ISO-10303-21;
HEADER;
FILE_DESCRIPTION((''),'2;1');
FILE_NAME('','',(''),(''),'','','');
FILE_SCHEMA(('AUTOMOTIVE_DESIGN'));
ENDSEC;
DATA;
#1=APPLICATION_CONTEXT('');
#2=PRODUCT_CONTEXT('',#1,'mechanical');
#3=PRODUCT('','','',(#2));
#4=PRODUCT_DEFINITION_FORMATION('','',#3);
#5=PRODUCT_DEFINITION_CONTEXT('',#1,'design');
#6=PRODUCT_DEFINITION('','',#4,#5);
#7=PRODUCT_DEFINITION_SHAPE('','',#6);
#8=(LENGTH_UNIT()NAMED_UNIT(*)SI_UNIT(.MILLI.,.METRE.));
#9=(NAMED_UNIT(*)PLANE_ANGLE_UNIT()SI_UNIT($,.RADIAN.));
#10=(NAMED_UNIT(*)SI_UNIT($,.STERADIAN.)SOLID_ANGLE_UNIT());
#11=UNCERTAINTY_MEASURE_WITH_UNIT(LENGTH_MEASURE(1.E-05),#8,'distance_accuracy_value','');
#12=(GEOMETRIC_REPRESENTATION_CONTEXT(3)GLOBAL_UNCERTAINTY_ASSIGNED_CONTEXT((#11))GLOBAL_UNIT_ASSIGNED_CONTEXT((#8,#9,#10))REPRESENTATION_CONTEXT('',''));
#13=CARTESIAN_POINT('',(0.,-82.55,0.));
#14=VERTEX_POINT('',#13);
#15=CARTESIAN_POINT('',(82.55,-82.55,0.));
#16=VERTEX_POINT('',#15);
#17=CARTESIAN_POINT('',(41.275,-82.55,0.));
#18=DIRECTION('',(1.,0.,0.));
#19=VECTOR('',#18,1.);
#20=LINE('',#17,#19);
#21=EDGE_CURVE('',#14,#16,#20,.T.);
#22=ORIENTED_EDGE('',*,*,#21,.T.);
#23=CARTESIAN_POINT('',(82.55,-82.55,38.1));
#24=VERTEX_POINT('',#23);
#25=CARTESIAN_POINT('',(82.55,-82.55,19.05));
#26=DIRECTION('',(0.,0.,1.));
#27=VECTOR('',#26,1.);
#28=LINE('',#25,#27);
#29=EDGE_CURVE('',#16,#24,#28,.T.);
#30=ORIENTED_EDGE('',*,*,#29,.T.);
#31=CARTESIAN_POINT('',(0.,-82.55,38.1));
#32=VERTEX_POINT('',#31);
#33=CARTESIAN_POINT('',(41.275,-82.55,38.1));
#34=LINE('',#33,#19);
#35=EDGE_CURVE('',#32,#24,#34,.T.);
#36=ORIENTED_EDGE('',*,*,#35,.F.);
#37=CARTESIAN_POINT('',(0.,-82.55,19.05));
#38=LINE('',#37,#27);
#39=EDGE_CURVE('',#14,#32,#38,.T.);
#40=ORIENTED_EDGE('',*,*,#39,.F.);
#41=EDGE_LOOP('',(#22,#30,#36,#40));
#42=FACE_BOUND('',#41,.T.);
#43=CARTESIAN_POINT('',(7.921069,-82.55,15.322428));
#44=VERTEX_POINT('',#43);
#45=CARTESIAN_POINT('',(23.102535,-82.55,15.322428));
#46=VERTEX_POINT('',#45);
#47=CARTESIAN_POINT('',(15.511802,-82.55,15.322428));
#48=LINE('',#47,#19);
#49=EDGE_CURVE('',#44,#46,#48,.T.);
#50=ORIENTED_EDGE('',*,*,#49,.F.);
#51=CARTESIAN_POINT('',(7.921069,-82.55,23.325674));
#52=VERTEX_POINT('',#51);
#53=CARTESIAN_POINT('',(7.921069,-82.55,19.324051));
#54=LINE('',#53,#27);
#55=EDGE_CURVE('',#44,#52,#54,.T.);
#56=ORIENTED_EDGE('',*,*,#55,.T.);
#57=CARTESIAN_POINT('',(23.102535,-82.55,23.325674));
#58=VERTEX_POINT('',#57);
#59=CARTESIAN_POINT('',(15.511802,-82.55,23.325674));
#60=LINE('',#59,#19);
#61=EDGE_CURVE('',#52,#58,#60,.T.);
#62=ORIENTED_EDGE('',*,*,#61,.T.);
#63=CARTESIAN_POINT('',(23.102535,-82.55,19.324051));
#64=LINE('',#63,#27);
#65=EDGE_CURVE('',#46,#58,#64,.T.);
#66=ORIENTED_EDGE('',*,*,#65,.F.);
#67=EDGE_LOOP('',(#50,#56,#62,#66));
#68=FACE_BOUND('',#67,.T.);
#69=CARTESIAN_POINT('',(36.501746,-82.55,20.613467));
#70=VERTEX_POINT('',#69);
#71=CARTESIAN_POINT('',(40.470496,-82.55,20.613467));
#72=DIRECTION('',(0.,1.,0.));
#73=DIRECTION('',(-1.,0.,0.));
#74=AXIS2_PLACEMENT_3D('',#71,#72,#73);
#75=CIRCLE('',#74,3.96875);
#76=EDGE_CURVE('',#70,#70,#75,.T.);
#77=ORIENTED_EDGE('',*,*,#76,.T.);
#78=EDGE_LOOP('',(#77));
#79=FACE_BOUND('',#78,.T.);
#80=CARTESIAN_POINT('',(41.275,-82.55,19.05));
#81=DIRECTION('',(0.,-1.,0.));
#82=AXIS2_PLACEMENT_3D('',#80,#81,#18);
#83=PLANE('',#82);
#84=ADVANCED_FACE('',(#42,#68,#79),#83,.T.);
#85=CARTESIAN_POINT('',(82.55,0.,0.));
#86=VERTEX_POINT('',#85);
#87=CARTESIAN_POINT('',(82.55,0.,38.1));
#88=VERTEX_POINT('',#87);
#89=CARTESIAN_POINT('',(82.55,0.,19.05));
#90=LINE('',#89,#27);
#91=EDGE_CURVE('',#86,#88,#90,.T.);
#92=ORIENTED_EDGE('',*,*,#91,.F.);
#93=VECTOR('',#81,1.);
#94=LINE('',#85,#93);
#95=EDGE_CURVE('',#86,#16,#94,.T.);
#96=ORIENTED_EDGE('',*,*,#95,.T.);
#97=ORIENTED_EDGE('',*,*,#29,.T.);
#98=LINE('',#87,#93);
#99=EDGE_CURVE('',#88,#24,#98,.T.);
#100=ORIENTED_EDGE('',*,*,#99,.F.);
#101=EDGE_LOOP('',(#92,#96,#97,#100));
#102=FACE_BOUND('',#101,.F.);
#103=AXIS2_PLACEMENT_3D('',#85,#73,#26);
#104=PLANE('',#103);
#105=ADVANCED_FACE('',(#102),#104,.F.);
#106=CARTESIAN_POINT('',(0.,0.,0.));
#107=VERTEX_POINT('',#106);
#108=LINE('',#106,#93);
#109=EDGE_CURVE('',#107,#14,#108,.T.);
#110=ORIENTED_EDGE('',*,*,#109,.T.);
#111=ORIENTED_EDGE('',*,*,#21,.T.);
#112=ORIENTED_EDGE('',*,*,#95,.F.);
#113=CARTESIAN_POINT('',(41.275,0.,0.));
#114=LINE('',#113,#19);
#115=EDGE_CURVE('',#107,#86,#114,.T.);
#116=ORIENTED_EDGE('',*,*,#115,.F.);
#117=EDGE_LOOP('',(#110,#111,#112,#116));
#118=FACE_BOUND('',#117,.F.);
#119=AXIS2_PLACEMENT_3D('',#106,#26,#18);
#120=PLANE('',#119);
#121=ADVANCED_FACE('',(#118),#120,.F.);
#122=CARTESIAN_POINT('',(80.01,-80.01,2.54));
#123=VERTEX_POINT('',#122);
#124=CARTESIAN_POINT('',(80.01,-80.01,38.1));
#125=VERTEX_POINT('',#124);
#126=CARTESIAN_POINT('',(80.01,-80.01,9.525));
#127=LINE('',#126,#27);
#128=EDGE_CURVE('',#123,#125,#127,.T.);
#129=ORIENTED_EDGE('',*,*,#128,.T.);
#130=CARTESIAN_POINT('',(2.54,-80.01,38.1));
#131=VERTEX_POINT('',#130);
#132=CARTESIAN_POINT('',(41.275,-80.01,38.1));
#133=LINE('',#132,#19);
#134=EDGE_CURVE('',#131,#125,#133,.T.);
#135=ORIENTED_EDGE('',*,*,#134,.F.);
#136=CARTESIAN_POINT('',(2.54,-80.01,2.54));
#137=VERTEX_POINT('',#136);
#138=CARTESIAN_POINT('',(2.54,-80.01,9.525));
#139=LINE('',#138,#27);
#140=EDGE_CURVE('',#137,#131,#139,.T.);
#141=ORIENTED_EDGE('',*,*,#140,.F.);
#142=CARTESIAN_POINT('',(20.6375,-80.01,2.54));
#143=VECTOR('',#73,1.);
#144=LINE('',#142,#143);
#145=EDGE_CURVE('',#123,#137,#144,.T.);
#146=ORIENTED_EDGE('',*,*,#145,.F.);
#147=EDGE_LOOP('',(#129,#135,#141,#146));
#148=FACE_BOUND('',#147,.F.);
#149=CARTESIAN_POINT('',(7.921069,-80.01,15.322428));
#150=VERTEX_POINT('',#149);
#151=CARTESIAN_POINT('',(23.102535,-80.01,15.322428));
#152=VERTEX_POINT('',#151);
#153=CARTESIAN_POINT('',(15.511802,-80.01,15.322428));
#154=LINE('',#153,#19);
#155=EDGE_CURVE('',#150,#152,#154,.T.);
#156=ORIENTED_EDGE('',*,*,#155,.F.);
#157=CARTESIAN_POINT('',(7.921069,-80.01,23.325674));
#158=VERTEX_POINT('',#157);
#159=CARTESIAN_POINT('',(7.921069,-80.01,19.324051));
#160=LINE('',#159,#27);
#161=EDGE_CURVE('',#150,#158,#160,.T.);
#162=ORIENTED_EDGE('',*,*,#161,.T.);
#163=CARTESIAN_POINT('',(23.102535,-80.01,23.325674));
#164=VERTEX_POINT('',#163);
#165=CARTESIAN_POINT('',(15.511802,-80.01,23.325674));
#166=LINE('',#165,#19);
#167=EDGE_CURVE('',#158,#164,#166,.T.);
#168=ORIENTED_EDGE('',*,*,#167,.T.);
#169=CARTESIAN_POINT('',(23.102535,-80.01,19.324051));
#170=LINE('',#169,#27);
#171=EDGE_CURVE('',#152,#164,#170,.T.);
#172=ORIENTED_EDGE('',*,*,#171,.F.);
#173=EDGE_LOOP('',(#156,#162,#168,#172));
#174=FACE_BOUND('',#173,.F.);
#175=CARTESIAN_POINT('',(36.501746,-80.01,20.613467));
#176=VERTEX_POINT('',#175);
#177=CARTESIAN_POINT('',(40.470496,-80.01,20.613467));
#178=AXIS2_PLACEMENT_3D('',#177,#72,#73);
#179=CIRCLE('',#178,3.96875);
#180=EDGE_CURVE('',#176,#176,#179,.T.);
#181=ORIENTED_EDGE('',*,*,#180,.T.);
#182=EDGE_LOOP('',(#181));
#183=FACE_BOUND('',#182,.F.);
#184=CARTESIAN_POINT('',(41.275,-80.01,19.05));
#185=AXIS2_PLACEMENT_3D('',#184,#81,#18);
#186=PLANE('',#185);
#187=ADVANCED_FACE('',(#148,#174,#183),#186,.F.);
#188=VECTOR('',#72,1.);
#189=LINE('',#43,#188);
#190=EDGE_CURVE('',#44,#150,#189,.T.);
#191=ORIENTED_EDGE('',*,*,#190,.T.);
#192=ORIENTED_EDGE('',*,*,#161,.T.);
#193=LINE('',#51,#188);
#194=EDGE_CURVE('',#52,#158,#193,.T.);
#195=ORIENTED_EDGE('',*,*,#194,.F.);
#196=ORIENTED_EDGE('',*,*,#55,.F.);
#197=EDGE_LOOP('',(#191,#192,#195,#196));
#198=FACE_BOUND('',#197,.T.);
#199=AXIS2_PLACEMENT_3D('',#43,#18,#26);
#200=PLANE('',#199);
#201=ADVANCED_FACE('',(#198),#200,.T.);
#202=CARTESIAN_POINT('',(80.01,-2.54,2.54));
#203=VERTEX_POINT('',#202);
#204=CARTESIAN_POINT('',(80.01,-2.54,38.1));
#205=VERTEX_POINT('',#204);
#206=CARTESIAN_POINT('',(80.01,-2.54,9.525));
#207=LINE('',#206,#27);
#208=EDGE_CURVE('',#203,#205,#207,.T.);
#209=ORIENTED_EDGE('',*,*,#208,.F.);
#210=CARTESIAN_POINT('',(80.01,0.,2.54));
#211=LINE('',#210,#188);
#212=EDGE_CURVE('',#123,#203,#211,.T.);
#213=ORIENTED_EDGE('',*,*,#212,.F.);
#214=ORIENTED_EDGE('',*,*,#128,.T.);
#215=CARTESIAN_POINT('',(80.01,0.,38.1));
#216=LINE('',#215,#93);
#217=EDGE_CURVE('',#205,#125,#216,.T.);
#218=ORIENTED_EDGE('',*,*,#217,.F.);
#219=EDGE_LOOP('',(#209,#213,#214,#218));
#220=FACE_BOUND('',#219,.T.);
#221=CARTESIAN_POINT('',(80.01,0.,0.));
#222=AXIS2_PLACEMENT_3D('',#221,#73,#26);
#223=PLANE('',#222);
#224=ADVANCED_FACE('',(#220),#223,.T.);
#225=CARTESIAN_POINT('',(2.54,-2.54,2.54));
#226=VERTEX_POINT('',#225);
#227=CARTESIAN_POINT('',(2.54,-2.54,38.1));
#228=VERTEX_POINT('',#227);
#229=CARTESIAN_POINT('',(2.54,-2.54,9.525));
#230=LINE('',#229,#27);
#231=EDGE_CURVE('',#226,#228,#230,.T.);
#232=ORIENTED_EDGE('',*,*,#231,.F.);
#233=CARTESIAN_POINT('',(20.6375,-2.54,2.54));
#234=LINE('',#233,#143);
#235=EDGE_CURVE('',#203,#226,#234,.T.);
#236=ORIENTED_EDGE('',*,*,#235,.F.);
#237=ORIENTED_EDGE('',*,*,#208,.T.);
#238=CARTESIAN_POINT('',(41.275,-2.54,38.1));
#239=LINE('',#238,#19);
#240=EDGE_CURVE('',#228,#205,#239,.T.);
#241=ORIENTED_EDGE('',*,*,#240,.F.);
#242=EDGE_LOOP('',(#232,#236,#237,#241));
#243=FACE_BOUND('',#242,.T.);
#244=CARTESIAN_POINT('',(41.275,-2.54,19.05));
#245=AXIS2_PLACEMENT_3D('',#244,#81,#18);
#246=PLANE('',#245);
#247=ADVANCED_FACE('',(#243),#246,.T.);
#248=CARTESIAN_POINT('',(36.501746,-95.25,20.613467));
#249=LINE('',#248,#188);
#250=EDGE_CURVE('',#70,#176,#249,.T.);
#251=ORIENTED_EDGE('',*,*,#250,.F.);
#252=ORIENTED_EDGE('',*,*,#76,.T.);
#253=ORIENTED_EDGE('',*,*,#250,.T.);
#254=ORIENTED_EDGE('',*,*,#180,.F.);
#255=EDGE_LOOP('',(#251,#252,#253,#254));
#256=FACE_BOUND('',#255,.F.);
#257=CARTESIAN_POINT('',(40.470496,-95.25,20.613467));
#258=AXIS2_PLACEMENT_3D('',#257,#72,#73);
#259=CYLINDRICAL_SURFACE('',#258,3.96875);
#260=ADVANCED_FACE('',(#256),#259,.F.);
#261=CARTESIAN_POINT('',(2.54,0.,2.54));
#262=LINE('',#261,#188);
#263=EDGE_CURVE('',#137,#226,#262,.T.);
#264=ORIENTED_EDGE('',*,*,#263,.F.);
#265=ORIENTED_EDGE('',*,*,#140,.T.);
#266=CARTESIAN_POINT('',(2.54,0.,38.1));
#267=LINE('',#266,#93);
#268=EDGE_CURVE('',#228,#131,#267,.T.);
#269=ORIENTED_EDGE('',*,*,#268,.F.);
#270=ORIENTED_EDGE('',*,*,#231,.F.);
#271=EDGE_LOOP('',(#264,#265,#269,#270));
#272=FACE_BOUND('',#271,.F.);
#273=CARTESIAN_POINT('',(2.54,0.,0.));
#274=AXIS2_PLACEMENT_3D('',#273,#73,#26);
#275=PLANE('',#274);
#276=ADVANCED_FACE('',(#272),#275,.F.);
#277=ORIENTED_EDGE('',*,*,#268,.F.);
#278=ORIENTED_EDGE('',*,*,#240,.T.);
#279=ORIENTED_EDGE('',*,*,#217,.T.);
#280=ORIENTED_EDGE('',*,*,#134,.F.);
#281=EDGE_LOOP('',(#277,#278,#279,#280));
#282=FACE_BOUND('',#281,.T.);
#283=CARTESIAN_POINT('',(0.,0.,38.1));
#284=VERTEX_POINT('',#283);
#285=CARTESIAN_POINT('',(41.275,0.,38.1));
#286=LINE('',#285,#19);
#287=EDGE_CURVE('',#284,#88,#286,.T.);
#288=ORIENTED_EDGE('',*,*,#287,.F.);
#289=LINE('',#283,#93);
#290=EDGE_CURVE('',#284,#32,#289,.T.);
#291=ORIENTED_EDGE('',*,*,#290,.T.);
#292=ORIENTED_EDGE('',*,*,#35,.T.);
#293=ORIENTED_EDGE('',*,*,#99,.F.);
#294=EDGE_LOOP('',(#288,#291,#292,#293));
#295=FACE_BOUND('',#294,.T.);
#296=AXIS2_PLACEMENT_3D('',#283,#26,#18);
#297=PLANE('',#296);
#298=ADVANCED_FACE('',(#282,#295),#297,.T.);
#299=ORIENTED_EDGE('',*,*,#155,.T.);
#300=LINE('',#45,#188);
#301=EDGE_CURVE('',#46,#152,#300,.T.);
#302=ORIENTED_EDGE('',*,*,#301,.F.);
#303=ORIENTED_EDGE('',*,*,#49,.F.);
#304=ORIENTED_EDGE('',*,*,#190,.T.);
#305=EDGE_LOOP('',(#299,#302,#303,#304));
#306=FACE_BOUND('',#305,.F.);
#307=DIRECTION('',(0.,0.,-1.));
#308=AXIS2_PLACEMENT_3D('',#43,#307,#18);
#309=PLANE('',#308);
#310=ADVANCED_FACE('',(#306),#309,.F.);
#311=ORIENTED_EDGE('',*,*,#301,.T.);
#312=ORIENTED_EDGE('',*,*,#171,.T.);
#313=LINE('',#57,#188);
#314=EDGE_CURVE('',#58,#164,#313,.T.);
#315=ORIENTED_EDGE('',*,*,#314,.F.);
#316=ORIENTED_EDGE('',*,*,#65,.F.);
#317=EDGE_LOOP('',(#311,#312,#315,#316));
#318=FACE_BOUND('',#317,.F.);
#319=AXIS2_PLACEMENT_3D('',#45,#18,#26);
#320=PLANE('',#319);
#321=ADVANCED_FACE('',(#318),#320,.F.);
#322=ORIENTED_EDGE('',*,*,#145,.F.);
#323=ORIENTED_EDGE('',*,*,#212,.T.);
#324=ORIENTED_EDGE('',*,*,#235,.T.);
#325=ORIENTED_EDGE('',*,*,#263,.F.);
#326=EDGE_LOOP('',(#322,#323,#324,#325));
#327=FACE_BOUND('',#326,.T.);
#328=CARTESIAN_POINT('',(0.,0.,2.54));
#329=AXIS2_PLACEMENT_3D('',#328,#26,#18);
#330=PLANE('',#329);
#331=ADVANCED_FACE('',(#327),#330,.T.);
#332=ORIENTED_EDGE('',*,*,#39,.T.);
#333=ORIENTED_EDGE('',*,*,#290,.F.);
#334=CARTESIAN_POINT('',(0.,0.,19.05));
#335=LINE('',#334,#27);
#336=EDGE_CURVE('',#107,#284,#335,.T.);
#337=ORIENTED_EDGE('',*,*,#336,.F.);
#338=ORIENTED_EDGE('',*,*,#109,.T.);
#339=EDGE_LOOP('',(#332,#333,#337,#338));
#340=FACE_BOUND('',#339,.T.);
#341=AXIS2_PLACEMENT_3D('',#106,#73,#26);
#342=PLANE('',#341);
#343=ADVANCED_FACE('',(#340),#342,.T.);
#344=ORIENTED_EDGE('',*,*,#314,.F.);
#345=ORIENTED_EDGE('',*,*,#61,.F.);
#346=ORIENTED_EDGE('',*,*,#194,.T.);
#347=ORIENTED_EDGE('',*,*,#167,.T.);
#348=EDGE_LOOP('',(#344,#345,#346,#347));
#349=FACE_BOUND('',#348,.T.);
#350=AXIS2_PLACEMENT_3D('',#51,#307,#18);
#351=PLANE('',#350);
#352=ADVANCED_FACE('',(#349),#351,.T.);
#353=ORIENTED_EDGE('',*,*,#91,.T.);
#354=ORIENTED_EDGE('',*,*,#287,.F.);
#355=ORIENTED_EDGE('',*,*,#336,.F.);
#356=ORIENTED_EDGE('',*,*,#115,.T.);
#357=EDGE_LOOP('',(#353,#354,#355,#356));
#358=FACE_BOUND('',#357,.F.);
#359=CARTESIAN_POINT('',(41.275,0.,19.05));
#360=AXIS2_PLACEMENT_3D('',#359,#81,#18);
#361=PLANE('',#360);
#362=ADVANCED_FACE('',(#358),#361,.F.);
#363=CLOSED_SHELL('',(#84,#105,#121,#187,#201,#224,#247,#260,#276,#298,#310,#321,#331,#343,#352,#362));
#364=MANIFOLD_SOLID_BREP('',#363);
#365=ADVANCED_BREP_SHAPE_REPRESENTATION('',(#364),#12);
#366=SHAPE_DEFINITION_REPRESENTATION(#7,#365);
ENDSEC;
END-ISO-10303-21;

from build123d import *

# Parameters (mm, degrees)
F0_W     = 82.55
F0_H     = 38.1
F1_DEPTH = 82.55
F3_T     = -2.54
F5_D     = 7.9375
F5_DEPTH = 12.7
F6_W     = 15.181465
F6_H     = 8.003246
F7_DEPTH = 2.54


with BuildPart() as f1:
    # F0 (on Front) → F1 (new body)
    with BuildSketch(Plane.XZ):
        with Locations((41.275, 19.05)):
            Rectangle(F0_W, F0_H)
    extrude(amount=F1_DEPTH)

    # F3
    f3_openings = [f1.faces().sort_by_distance(p)[0] for p in [
        (41.275, -41.275, 38.1),
    ]]
    offset(amount=F3_T, openings=f3_openings)

    # F5
    with Locations(Plane.XZ.offset(82.55)):
        with Locations((40.470496, 20.613467)):
            Hole(F5_D / 2, depth=F5_DEPTH)

    # F6 (on face) → F7 (cut, through all)
    with BuildSketch(Plane.XZ.offset(82.55)):
        with Locations((15.511802, 19.324051)):
            Rectangle(F6_W, F6_H)
    extrude(amount=-F7_DEPTH, mode=Mode.SUBTRACT)


solid = f1.part
